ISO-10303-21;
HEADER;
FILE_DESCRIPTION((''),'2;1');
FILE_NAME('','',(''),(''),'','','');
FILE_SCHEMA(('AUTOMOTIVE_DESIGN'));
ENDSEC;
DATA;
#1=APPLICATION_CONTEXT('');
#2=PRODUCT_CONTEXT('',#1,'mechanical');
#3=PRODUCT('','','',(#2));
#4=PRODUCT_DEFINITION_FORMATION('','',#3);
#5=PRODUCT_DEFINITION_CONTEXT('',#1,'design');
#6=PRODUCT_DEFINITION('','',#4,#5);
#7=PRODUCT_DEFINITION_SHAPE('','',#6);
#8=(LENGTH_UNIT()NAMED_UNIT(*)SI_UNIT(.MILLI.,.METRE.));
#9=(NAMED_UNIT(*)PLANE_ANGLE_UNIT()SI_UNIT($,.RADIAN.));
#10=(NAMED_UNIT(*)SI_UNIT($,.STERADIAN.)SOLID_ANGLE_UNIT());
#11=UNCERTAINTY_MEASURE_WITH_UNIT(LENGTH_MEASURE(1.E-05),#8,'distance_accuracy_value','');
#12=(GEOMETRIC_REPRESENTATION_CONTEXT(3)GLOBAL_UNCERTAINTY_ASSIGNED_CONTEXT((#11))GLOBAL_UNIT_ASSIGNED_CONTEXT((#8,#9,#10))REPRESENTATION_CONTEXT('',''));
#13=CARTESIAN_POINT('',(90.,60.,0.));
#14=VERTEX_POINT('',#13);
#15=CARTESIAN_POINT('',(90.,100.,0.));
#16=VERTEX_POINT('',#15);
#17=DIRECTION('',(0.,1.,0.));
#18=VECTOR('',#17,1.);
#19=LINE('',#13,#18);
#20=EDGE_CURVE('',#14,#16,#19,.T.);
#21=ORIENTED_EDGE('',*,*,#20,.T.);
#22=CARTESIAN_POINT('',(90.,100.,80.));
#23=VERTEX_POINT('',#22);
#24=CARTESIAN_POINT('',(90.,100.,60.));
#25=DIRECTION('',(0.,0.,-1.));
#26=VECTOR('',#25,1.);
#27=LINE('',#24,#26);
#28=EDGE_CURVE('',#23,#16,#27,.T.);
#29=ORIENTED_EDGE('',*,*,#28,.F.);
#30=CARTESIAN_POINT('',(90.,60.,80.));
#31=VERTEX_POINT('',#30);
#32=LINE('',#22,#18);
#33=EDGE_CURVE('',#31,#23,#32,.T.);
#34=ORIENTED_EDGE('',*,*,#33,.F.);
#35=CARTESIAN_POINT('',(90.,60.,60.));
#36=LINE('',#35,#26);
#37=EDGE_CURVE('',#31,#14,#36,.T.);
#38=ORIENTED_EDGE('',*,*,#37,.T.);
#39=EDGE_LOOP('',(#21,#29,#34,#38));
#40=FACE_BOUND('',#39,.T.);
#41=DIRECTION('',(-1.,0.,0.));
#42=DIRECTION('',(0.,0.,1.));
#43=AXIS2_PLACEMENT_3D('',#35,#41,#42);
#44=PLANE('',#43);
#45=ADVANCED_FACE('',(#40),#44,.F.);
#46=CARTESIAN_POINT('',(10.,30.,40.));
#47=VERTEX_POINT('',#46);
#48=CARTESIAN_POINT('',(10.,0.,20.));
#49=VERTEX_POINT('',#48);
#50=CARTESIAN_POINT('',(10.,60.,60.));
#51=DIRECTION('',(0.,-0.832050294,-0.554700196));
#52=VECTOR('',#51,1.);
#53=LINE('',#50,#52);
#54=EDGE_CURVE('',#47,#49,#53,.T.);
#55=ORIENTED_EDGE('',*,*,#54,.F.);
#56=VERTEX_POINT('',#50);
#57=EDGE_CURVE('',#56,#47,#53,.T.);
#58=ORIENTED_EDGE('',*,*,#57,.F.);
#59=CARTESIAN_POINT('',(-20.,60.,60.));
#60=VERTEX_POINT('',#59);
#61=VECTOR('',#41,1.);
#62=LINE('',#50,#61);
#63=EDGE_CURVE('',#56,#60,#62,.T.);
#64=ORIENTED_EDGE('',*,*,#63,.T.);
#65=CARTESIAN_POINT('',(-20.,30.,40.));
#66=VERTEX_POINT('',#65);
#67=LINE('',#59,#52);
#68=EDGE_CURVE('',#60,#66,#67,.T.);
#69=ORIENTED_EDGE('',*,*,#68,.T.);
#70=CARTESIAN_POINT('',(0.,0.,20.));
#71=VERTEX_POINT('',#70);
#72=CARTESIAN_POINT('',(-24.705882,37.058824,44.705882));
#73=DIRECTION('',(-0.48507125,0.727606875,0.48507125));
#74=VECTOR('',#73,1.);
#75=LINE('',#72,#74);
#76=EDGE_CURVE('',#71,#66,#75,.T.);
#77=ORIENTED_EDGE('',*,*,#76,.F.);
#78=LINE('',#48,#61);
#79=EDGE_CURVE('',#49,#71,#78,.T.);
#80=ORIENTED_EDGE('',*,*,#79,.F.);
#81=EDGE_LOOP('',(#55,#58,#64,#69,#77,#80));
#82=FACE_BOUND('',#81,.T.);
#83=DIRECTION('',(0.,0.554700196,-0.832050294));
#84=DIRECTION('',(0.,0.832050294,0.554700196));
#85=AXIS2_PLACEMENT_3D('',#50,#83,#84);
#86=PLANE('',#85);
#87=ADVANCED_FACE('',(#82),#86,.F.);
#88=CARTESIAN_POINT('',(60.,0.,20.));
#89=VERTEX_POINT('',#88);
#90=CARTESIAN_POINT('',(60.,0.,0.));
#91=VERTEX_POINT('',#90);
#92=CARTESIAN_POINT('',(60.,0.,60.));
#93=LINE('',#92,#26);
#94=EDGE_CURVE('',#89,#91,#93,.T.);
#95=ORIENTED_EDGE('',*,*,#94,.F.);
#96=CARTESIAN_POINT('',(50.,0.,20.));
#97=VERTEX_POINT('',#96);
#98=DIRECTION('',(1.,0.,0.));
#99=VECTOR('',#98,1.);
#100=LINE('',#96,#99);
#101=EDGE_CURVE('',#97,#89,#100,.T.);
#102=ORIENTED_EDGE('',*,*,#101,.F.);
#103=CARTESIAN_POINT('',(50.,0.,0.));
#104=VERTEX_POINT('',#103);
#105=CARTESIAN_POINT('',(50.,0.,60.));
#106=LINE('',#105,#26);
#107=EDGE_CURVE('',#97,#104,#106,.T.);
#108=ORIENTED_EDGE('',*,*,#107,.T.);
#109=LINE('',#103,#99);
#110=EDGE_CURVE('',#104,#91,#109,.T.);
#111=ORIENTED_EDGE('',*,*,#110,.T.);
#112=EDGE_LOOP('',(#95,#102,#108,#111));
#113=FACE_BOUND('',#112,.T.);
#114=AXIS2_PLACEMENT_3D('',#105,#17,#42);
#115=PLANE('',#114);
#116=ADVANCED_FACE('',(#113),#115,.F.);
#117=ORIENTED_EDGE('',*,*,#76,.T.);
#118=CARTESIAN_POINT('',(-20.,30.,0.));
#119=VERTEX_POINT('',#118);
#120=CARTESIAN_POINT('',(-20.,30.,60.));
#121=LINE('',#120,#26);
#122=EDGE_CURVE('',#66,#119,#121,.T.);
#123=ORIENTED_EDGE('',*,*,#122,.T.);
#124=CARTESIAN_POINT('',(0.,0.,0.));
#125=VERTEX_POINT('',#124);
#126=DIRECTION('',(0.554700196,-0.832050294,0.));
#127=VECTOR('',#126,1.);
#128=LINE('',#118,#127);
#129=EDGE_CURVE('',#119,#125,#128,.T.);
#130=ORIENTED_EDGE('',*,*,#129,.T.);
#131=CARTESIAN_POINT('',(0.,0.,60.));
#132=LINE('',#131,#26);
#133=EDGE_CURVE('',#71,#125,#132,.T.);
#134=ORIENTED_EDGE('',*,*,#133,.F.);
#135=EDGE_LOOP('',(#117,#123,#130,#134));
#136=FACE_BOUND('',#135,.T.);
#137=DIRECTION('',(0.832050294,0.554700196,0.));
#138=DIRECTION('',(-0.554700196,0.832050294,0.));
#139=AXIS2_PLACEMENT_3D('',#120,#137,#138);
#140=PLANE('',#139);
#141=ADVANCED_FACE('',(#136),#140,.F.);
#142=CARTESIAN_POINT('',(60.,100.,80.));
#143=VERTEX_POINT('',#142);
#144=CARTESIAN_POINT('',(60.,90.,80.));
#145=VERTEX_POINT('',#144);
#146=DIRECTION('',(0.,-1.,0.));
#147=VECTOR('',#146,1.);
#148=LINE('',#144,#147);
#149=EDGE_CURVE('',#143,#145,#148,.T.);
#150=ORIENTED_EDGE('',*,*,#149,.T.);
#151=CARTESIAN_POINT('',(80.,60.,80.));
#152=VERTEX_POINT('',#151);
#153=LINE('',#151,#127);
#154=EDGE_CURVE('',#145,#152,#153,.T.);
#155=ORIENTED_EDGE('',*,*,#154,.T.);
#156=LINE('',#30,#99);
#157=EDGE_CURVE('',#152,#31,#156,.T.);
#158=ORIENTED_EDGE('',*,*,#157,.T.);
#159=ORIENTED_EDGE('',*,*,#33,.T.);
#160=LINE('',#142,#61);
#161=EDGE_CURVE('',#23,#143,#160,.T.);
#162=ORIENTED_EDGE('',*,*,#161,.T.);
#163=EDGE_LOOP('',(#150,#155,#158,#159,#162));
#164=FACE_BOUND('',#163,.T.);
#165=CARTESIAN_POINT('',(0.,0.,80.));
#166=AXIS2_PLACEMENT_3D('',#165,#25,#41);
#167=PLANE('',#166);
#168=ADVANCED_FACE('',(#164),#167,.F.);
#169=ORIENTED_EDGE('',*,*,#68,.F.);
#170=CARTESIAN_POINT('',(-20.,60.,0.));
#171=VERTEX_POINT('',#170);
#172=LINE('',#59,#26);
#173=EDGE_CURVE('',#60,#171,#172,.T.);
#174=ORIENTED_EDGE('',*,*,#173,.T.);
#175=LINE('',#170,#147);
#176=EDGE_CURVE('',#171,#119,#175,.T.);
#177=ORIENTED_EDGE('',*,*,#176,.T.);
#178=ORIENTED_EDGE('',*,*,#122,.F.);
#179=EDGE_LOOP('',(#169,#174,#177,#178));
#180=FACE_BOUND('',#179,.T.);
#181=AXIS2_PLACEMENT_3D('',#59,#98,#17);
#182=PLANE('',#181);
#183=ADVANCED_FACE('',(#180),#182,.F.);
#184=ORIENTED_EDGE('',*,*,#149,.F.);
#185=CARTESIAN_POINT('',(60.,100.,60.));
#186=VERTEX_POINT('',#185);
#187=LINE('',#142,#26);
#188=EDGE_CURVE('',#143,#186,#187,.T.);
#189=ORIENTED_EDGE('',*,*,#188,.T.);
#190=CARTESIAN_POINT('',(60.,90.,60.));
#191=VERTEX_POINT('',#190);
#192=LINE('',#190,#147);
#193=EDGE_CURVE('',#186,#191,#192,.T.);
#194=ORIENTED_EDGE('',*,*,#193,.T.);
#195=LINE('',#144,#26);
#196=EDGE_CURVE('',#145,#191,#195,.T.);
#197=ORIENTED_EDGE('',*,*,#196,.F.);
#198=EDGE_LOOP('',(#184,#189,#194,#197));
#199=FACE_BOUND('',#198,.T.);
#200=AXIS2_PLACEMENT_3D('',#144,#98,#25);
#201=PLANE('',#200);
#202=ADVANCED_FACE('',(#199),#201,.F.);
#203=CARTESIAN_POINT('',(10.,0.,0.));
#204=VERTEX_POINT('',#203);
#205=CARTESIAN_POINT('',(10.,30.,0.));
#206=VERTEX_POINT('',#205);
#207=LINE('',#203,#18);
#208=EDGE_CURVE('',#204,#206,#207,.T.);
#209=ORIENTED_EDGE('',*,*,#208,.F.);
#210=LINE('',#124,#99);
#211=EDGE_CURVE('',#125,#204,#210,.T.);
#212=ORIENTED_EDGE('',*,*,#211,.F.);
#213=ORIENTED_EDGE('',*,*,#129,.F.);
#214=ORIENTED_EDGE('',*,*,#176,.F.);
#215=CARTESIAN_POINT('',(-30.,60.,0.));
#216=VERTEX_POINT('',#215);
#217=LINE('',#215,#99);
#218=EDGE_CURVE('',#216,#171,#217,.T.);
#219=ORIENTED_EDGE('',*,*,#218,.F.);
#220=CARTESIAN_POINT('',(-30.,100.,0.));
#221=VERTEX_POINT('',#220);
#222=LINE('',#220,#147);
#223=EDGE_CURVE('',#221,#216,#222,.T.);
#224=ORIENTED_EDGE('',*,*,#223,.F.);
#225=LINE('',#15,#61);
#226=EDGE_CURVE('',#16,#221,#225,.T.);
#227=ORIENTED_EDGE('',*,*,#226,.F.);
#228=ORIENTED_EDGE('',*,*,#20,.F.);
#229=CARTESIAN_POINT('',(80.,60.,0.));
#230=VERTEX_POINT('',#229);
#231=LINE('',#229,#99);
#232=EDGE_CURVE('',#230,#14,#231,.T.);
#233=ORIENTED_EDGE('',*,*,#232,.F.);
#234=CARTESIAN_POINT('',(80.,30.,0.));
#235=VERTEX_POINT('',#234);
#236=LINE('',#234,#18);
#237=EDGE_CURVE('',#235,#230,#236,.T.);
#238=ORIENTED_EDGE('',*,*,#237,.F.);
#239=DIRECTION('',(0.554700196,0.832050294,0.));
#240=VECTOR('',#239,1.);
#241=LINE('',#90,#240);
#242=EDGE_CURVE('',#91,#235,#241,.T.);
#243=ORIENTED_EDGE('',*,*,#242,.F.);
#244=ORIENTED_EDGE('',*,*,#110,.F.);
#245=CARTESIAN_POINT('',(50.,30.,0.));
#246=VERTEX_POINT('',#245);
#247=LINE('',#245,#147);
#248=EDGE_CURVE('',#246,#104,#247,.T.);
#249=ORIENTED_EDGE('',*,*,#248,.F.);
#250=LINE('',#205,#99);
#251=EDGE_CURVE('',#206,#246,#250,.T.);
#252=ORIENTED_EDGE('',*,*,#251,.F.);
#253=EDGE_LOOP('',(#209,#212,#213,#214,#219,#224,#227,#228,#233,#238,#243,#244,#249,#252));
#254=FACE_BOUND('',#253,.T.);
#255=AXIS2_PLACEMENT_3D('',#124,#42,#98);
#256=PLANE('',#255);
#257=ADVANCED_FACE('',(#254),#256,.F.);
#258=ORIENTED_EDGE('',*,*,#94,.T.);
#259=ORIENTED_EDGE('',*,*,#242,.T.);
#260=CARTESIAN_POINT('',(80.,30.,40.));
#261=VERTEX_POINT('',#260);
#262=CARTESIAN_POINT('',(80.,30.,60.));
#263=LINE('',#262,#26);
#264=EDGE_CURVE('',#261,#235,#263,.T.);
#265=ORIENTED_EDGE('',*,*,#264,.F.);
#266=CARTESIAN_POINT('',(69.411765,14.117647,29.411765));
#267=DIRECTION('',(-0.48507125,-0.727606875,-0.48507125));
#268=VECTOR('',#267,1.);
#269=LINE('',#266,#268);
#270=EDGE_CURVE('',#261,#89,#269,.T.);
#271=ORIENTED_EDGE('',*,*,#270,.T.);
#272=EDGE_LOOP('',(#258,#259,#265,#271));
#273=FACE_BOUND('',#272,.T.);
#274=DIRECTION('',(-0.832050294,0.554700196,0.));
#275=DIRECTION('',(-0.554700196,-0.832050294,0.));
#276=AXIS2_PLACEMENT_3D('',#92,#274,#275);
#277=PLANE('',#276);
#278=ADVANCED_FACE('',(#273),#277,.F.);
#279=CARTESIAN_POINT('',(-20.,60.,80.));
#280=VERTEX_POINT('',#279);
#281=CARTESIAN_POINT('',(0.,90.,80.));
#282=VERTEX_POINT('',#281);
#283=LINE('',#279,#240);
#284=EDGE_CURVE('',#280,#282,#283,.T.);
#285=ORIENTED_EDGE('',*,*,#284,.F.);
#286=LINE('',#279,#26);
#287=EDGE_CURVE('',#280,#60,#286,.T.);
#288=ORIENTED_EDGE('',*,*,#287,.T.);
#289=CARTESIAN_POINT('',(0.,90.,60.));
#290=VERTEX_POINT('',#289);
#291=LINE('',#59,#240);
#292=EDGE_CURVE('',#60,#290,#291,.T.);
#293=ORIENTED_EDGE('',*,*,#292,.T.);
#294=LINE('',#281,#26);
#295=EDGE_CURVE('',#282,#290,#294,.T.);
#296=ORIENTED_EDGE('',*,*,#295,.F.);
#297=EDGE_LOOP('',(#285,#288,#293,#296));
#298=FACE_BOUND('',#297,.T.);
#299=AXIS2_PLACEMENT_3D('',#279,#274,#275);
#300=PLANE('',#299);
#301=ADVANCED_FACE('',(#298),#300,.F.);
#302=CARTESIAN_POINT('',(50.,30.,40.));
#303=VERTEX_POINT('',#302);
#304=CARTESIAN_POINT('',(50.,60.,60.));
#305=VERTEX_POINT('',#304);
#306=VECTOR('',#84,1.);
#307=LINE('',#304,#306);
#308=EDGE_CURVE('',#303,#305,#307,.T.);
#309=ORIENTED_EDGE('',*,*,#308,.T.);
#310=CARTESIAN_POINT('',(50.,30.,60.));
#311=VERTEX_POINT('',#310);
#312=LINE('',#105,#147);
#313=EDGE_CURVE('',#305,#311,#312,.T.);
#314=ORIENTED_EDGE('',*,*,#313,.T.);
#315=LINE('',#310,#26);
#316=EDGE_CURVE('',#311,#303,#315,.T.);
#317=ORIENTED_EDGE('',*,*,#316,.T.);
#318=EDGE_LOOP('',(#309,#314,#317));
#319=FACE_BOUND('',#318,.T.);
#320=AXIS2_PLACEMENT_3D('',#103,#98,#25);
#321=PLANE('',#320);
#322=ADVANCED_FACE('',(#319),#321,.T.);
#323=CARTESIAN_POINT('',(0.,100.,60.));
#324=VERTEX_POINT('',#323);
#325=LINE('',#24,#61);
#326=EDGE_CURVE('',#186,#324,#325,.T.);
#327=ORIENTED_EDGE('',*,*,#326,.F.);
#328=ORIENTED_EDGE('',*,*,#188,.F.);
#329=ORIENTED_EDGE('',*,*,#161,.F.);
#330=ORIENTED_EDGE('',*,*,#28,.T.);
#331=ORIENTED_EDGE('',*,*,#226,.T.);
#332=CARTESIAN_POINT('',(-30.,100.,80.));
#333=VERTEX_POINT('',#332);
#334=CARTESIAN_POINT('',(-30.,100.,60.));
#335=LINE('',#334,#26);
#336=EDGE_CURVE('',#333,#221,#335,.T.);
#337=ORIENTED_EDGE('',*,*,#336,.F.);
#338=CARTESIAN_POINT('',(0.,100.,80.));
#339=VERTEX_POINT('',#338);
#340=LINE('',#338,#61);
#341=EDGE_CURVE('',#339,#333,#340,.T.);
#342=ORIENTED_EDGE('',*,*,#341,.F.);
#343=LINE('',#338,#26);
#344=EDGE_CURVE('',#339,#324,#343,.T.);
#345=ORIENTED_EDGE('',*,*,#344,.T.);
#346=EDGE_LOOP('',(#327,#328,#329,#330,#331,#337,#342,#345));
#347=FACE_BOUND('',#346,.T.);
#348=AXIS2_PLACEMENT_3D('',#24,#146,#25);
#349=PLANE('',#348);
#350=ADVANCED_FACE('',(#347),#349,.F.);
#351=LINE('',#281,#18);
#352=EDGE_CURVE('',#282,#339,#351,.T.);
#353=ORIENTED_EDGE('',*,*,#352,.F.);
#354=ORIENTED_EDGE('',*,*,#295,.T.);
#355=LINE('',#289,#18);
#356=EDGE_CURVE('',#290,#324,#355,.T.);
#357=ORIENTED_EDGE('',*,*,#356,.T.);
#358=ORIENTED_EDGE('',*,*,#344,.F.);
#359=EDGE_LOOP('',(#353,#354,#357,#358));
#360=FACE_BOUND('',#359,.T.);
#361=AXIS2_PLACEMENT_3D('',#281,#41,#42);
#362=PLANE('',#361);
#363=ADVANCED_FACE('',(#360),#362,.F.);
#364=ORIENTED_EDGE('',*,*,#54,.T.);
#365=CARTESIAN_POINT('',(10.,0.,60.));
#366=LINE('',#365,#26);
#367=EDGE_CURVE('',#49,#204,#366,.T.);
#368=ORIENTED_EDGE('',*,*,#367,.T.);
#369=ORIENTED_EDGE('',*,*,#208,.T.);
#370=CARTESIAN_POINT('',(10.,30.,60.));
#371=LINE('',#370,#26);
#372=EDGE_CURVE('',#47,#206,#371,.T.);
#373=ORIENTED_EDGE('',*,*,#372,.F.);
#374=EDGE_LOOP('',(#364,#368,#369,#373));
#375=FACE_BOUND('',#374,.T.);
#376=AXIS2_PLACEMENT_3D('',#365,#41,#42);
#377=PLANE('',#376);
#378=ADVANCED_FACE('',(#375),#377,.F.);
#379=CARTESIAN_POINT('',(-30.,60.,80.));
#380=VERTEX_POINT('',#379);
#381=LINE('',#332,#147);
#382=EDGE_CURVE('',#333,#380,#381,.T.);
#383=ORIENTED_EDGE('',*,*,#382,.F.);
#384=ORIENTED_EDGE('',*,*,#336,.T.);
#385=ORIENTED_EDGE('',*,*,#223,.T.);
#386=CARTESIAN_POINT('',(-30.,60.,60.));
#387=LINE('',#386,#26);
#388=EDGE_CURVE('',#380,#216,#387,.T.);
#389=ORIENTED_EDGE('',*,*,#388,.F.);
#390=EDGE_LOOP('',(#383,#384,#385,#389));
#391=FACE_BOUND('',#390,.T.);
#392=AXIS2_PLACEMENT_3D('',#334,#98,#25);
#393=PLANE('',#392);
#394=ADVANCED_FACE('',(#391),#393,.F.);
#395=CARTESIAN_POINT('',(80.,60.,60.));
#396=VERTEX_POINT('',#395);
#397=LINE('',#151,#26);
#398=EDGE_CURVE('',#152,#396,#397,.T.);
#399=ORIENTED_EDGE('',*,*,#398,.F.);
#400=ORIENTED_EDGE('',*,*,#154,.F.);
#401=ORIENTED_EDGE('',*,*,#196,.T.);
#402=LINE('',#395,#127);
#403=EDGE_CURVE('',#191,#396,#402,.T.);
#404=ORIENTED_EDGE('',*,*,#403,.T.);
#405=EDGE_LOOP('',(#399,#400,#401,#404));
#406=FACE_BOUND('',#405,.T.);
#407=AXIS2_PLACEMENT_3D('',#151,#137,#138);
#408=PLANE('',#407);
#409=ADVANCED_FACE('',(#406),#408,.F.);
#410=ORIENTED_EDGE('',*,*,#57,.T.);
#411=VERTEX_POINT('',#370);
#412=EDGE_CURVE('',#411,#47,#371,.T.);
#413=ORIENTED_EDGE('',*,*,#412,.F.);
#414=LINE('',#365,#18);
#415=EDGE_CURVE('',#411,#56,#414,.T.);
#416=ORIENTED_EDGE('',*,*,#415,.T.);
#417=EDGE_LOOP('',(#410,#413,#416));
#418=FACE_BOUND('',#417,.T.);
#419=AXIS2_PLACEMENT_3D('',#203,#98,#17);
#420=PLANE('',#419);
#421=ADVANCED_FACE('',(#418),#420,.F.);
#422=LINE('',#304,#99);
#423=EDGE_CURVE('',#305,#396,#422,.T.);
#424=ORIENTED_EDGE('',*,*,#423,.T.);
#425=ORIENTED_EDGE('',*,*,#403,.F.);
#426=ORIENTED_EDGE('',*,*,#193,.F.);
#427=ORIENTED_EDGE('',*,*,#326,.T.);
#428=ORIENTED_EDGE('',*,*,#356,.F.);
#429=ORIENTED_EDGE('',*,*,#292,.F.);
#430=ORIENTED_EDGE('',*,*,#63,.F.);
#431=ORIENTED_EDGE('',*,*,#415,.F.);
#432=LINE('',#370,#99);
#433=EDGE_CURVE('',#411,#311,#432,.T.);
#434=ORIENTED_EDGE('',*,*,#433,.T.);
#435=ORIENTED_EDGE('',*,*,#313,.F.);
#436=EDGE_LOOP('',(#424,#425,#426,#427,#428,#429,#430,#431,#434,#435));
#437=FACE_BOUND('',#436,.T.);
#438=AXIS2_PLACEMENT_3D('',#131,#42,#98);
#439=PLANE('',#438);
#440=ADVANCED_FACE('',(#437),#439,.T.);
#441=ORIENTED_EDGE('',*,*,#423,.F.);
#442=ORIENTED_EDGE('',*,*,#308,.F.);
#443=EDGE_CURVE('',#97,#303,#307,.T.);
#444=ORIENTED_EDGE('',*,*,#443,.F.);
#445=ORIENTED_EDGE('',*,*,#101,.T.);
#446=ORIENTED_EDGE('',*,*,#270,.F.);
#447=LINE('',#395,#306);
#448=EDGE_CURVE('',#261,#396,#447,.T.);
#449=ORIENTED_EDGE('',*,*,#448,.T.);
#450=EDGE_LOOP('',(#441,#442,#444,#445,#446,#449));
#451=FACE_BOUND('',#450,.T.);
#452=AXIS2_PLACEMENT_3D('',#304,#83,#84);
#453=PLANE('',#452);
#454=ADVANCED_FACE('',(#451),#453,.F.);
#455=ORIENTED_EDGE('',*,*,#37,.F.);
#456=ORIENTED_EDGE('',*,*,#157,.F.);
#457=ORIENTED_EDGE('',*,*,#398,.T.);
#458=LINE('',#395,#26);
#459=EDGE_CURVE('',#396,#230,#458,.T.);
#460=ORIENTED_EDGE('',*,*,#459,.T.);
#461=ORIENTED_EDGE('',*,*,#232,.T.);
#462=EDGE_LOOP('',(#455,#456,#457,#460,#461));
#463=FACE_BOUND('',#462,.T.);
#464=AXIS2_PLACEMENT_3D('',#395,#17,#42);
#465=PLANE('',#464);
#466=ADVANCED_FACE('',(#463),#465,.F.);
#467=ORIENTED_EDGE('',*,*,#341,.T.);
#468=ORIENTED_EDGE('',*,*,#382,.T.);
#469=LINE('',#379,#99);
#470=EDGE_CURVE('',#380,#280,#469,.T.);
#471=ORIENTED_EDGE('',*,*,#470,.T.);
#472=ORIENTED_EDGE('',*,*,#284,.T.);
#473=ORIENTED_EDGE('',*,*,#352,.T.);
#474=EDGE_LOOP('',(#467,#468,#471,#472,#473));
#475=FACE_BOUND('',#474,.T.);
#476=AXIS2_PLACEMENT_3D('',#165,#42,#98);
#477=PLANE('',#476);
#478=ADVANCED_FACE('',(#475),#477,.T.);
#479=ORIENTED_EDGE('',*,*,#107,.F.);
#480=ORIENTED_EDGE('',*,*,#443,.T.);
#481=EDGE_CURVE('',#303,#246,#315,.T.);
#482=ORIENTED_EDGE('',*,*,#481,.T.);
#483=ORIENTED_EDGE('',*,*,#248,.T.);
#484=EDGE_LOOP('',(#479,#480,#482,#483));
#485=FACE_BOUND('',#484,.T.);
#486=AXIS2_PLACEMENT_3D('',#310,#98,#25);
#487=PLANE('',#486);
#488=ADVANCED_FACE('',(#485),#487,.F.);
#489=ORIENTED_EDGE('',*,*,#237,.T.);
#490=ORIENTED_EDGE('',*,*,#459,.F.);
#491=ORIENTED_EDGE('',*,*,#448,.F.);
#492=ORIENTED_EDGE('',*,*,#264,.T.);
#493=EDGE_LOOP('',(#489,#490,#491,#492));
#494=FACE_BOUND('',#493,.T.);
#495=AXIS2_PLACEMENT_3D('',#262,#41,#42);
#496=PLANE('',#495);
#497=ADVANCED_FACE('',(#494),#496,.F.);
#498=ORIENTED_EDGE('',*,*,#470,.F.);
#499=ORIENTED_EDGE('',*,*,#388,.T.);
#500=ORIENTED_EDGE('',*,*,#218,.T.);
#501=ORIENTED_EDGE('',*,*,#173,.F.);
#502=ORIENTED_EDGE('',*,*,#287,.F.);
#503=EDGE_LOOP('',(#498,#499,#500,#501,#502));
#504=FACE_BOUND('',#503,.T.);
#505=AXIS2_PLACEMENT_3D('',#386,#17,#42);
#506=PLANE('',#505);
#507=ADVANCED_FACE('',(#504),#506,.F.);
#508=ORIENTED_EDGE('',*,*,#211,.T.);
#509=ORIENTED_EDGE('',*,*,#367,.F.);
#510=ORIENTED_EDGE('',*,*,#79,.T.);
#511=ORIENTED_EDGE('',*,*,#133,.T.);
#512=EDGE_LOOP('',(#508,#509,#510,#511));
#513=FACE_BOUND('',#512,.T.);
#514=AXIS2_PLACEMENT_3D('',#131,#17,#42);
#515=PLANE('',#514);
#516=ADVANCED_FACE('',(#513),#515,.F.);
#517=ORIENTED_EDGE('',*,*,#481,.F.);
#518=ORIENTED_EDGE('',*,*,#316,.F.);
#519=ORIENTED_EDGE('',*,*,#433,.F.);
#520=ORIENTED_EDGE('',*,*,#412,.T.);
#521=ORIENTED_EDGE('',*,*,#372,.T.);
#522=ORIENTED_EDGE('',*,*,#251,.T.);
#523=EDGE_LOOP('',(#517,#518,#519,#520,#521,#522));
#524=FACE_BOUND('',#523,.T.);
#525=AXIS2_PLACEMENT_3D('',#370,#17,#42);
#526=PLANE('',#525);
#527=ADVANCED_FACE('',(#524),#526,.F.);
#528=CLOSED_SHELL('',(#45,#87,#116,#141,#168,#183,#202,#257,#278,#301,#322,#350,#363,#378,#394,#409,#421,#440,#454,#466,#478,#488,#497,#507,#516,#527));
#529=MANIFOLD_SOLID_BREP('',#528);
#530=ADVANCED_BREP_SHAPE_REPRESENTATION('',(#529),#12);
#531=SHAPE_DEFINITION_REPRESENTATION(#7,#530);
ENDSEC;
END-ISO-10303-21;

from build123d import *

# Parameters (mm, degrees)
BOSS_EXTRUDE1_DEPTH = 60
BOSS_EXTRUDE2_DEPTH = 20
CUT_EXTRUDE1_DEPTH  = 30
CUT_EXTRUDE2_DEPTH  = 30


with BuildPart() as part:
    # Sketch1 → Boss-Extrude1 (new body)
    with BuildSketch(Plane.XY):
        Polygon((0, 0), (10, 0), (10, 30), (50, 30), (50, 0), (60, 0), (80, 30), (80, 60), (90, 60), (90, 100), (-30, 100), (-30, 60), (-20, 60), (-20, 30), align=None)
    extrude(amount=BOSS_EXTRUDE1_DEPTH)

    # Sketch2 → Boss-Extrude2 (add)
    with BuildSketch(Plane.XY.offset(60)):
        Polygon((-20, 60), (0, 90), (0, 100), (-30, 100), (-30, 60), align=None)
        Polygon((80, 60), (60, 90), (60, 100), (90, 100), (90, 60), align=None)
    extrude(amount=BOSS_EXTRUDE2_DEPTH)

    # Sketch3 → Cut-Extrude1 (cut)
    with BuildSketch(Plane.ZY.offset(20)):
        Polygon((60, 60), (20, 0), (60, 0), align=None)
    extrude(amount=-CUT_EXTRUDE1_DEPTH, mode=Mode.SUBTRACT)

    # Sketch4 → Cut-Extrude2 (cut)
    with BuildSketch(Plane(origin=(80, 0, 0), x_dir=(0, 0, -1), z_dir=(1, 0, 0))):
        Polygon((-60, 60), (-20, 0), (-60, 0), align=None)
    extrude(amount=-CUT_EXTRUDE2_DEPTH, mode=Mode.SUBTRACT)


solid = part.part
